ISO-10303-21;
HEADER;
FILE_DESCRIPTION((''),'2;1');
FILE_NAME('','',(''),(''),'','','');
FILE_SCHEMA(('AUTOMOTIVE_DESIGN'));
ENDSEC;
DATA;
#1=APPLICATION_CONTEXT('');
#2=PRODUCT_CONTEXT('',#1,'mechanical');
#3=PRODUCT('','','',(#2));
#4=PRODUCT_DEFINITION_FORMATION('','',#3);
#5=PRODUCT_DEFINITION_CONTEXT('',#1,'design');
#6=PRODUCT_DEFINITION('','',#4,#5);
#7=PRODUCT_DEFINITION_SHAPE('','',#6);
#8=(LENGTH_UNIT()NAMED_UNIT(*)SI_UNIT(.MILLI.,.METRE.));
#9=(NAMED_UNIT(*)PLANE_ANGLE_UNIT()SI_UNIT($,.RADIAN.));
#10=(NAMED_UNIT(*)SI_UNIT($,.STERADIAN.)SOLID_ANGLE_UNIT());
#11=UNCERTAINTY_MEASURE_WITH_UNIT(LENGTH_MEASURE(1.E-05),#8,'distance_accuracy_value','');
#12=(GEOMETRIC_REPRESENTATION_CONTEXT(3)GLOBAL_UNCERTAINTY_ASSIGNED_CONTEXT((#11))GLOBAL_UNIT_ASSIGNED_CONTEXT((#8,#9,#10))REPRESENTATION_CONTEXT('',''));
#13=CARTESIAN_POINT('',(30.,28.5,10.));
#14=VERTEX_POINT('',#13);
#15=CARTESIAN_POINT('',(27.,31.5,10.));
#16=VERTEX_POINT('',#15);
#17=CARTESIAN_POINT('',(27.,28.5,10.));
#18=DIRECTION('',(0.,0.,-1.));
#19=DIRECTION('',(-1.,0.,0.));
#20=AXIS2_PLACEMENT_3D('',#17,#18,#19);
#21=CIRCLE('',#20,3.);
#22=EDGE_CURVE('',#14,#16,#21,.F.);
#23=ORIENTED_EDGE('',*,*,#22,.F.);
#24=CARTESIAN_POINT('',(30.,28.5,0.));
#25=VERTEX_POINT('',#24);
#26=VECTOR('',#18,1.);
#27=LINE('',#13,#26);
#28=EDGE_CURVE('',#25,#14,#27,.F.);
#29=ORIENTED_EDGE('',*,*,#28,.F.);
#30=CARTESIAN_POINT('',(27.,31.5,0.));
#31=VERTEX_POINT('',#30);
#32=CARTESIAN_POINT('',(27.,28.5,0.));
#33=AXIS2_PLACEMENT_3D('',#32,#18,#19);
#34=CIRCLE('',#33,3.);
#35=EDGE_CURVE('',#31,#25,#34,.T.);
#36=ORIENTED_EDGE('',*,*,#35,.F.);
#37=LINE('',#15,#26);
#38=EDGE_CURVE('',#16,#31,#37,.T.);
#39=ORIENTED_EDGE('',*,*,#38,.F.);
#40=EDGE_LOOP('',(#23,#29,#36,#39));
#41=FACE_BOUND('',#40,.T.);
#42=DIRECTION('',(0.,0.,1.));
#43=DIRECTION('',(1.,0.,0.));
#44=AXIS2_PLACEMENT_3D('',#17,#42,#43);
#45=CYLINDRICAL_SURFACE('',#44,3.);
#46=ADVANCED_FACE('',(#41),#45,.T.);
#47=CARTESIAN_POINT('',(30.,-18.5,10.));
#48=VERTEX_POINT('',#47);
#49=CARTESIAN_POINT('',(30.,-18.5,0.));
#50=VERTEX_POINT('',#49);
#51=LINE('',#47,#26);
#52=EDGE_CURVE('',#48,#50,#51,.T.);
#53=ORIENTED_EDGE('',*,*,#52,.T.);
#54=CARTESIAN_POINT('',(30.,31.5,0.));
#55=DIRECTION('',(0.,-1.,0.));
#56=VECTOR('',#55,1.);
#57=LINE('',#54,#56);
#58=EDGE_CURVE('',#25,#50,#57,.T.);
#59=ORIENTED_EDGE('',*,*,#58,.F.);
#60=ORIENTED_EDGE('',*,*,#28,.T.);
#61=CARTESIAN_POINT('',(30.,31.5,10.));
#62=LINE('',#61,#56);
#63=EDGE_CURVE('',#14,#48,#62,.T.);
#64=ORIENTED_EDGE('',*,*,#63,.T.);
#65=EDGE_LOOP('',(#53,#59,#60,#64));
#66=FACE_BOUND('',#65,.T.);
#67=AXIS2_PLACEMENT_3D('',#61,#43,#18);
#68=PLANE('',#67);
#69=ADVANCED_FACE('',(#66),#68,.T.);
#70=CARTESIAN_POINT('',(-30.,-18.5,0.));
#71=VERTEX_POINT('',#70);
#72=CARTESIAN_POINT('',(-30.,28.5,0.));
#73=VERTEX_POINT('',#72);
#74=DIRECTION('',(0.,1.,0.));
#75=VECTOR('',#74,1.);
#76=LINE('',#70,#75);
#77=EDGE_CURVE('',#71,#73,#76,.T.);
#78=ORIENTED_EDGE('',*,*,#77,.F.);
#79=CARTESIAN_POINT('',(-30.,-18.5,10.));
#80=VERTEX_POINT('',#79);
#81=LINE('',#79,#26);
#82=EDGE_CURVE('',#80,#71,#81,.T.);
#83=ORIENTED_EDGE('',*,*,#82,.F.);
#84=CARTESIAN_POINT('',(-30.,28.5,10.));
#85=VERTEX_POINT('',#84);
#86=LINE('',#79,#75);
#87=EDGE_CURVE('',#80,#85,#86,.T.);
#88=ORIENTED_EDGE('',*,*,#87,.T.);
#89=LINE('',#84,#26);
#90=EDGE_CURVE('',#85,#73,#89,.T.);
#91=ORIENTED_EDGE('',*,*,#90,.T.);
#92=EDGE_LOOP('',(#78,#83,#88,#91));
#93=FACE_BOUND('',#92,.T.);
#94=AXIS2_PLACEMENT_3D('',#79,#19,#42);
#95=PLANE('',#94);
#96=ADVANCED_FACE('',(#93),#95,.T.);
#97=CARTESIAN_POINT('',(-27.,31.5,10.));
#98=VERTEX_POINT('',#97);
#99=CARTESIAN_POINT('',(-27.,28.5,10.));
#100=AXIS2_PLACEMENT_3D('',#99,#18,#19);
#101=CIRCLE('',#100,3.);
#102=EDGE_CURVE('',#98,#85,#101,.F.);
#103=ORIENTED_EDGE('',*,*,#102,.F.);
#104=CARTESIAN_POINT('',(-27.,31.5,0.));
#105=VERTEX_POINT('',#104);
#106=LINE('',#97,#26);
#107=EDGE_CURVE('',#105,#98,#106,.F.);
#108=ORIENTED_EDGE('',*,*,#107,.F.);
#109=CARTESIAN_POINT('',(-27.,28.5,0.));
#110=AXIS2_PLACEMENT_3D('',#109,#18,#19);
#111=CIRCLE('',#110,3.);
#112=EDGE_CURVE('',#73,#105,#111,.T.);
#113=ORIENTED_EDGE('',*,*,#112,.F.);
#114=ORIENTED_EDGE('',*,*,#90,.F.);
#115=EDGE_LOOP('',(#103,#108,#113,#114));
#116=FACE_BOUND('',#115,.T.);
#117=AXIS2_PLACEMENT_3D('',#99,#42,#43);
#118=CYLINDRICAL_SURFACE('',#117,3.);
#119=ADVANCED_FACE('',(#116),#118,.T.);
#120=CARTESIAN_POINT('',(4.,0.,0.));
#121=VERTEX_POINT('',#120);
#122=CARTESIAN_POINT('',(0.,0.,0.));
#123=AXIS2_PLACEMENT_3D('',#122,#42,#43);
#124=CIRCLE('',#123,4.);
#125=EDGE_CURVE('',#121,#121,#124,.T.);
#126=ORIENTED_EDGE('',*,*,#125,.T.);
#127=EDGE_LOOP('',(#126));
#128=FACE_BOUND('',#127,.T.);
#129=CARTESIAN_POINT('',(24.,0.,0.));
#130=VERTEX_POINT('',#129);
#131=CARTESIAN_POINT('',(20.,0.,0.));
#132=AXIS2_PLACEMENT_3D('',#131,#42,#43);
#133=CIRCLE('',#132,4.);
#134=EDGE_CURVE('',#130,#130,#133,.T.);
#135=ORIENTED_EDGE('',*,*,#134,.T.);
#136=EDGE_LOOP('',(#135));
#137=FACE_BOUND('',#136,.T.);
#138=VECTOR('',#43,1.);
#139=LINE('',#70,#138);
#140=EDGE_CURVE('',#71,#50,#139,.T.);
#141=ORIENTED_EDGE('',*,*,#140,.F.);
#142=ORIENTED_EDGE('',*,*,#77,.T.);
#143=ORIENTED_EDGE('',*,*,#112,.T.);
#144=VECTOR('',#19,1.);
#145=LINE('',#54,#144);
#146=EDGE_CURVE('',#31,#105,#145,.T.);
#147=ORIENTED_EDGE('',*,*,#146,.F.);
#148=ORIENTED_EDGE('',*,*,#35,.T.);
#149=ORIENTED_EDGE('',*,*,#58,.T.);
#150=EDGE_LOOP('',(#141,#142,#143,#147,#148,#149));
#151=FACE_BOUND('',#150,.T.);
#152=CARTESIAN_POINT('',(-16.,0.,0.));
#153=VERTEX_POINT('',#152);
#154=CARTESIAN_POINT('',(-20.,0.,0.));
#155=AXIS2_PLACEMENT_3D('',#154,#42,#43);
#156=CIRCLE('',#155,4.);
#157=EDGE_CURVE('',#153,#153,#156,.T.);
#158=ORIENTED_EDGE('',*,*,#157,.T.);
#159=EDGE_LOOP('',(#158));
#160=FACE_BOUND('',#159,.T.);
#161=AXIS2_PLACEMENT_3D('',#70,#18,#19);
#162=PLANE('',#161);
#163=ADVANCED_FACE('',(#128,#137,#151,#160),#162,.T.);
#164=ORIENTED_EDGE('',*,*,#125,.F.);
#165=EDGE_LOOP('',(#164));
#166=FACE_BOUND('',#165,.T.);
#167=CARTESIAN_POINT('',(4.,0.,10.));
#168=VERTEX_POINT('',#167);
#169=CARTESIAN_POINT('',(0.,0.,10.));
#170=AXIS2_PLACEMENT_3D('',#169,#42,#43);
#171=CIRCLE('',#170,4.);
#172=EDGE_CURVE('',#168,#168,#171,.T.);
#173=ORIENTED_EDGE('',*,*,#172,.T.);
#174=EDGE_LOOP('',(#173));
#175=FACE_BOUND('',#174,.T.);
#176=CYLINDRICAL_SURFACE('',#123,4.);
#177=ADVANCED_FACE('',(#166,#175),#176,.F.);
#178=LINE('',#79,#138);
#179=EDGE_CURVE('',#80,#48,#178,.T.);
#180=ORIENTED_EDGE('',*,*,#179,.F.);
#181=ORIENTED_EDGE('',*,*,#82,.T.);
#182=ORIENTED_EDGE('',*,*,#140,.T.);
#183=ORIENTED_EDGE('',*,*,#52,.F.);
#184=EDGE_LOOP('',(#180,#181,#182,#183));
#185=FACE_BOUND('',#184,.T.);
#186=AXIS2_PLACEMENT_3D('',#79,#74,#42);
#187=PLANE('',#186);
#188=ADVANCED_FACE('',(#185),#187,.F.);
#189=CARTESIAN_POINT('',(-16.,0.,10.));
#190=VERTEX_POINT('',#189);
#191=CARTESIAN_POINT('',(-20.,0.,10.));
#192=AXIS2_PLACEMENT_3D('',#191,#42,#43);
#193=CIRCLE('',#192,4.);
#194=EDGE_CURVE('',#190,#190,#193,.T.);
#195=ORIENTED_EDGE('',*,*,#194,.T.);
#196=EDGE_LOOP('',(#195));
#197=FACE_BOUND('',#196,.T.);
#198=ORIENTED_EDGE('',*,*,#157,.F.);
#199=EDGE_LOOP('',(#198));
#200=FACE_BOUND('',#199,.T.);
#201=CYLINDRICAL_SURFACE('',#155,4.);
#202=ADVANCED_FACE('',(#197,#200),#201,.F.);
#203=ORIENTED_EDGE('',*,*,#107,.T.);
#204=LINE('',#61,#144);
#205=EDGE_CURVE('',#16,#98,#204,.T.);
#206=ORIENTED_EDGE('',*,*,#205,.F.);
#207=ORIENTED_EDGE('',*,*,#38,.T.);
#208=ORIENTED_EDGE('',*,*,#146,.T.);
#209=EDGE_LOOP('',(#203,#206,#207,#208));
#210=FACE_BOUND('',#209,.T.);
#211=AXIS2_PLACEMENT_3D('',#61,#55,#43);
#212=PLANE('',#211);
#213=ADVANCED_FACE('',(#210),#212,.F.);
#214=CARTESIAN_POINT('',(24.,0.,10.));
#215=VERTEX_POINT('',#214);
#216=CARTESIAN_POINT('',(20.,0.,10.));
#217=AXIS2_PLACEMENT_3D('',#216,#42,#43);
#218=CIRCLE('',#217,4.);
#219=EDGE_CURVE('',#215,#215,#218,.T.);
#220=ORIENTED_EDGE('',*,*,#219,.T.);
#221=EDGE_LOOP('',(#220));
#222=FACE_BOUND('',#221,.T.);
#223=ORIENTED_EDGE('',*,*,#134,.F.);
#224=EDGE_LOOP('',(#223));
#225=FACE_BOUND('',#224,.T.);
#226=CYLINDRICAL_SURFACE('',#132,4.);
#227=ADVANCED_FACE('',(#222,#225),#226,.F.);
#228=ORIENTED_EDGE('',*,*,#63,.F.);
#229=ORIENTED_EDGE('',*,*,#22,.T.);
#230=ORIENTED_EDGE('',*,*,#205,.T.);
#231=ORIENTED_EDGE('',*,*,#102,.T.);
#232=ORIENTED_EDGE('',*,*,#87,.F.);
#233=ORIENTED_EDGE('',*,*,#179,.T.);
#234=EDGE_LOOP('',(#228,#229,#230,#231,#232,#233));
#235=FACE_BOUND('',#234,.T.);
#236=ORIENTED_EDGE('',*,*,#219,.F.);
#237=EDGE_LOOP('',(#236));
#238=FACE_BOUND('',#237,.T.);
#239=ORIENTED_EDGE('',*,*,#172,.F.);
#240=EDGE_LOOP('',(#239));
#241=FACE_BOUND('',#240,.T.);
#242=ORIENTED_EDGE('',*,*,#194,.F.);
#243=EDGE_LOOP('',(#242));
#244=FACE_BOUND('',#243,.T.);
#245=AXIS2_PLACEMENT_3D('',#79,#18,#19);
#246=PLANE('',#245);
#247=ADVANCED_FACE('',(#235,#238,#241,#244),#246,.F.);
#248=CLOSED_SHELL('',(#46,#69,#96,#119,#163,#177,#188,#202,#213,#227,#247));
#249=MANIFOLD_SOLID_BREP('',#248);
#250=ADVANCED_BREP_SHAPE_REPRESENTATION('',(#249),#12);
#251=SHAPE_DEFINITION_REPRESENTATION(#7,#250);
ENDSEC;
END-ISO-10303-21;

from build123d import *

# Parameters (mm, degrees)
ESQUISSE1_W             = 60
ESQUISSE1_H             = 50
BASE_EXTRUSION_DEPTH    = 10
CONG_1_R                = 3
ESQUISSE2_R             = 4
ENL_V_MAT_EXTRU_1_DEPTH = 10


with BuildPart() as part:
    # Esquisse1 → Base-Extrusion (new body)
    with BuildSketch(Plane.XY):
        with Locations((0, 6.5)):
            Rectangle(ESQUISSE1_W, ESQUISSE1_H)
    extrude(amount=BASE_EXTRUSION_DEPTH)

    # Congé1
    cong_1_edges = [part.edges().sort_by_distance(p)[0] for p in [
        (30, 31.5, 5),
        (-30, 31.5, 5),
    ]]
    fillet(cong_1_edges, radius=CONG_1_R)

    # Esquisse2 → Enlèv. mat.-Extru.1 (cut)
    with BuildSketch(Plane.XY.offset(10)):
        with Locations((-20, 0)):
            Circle(ESQUISSE2_R)
        Circle(ESQUISSE2_R)
        with Locations((20, 0)):
            Circle(ESQUISSE2_R)
    extrude(amount=-ENL_V_MAT_EXTRU_1_DEPTH, mode=Mode.SUBTRACT)


solid = part.part
